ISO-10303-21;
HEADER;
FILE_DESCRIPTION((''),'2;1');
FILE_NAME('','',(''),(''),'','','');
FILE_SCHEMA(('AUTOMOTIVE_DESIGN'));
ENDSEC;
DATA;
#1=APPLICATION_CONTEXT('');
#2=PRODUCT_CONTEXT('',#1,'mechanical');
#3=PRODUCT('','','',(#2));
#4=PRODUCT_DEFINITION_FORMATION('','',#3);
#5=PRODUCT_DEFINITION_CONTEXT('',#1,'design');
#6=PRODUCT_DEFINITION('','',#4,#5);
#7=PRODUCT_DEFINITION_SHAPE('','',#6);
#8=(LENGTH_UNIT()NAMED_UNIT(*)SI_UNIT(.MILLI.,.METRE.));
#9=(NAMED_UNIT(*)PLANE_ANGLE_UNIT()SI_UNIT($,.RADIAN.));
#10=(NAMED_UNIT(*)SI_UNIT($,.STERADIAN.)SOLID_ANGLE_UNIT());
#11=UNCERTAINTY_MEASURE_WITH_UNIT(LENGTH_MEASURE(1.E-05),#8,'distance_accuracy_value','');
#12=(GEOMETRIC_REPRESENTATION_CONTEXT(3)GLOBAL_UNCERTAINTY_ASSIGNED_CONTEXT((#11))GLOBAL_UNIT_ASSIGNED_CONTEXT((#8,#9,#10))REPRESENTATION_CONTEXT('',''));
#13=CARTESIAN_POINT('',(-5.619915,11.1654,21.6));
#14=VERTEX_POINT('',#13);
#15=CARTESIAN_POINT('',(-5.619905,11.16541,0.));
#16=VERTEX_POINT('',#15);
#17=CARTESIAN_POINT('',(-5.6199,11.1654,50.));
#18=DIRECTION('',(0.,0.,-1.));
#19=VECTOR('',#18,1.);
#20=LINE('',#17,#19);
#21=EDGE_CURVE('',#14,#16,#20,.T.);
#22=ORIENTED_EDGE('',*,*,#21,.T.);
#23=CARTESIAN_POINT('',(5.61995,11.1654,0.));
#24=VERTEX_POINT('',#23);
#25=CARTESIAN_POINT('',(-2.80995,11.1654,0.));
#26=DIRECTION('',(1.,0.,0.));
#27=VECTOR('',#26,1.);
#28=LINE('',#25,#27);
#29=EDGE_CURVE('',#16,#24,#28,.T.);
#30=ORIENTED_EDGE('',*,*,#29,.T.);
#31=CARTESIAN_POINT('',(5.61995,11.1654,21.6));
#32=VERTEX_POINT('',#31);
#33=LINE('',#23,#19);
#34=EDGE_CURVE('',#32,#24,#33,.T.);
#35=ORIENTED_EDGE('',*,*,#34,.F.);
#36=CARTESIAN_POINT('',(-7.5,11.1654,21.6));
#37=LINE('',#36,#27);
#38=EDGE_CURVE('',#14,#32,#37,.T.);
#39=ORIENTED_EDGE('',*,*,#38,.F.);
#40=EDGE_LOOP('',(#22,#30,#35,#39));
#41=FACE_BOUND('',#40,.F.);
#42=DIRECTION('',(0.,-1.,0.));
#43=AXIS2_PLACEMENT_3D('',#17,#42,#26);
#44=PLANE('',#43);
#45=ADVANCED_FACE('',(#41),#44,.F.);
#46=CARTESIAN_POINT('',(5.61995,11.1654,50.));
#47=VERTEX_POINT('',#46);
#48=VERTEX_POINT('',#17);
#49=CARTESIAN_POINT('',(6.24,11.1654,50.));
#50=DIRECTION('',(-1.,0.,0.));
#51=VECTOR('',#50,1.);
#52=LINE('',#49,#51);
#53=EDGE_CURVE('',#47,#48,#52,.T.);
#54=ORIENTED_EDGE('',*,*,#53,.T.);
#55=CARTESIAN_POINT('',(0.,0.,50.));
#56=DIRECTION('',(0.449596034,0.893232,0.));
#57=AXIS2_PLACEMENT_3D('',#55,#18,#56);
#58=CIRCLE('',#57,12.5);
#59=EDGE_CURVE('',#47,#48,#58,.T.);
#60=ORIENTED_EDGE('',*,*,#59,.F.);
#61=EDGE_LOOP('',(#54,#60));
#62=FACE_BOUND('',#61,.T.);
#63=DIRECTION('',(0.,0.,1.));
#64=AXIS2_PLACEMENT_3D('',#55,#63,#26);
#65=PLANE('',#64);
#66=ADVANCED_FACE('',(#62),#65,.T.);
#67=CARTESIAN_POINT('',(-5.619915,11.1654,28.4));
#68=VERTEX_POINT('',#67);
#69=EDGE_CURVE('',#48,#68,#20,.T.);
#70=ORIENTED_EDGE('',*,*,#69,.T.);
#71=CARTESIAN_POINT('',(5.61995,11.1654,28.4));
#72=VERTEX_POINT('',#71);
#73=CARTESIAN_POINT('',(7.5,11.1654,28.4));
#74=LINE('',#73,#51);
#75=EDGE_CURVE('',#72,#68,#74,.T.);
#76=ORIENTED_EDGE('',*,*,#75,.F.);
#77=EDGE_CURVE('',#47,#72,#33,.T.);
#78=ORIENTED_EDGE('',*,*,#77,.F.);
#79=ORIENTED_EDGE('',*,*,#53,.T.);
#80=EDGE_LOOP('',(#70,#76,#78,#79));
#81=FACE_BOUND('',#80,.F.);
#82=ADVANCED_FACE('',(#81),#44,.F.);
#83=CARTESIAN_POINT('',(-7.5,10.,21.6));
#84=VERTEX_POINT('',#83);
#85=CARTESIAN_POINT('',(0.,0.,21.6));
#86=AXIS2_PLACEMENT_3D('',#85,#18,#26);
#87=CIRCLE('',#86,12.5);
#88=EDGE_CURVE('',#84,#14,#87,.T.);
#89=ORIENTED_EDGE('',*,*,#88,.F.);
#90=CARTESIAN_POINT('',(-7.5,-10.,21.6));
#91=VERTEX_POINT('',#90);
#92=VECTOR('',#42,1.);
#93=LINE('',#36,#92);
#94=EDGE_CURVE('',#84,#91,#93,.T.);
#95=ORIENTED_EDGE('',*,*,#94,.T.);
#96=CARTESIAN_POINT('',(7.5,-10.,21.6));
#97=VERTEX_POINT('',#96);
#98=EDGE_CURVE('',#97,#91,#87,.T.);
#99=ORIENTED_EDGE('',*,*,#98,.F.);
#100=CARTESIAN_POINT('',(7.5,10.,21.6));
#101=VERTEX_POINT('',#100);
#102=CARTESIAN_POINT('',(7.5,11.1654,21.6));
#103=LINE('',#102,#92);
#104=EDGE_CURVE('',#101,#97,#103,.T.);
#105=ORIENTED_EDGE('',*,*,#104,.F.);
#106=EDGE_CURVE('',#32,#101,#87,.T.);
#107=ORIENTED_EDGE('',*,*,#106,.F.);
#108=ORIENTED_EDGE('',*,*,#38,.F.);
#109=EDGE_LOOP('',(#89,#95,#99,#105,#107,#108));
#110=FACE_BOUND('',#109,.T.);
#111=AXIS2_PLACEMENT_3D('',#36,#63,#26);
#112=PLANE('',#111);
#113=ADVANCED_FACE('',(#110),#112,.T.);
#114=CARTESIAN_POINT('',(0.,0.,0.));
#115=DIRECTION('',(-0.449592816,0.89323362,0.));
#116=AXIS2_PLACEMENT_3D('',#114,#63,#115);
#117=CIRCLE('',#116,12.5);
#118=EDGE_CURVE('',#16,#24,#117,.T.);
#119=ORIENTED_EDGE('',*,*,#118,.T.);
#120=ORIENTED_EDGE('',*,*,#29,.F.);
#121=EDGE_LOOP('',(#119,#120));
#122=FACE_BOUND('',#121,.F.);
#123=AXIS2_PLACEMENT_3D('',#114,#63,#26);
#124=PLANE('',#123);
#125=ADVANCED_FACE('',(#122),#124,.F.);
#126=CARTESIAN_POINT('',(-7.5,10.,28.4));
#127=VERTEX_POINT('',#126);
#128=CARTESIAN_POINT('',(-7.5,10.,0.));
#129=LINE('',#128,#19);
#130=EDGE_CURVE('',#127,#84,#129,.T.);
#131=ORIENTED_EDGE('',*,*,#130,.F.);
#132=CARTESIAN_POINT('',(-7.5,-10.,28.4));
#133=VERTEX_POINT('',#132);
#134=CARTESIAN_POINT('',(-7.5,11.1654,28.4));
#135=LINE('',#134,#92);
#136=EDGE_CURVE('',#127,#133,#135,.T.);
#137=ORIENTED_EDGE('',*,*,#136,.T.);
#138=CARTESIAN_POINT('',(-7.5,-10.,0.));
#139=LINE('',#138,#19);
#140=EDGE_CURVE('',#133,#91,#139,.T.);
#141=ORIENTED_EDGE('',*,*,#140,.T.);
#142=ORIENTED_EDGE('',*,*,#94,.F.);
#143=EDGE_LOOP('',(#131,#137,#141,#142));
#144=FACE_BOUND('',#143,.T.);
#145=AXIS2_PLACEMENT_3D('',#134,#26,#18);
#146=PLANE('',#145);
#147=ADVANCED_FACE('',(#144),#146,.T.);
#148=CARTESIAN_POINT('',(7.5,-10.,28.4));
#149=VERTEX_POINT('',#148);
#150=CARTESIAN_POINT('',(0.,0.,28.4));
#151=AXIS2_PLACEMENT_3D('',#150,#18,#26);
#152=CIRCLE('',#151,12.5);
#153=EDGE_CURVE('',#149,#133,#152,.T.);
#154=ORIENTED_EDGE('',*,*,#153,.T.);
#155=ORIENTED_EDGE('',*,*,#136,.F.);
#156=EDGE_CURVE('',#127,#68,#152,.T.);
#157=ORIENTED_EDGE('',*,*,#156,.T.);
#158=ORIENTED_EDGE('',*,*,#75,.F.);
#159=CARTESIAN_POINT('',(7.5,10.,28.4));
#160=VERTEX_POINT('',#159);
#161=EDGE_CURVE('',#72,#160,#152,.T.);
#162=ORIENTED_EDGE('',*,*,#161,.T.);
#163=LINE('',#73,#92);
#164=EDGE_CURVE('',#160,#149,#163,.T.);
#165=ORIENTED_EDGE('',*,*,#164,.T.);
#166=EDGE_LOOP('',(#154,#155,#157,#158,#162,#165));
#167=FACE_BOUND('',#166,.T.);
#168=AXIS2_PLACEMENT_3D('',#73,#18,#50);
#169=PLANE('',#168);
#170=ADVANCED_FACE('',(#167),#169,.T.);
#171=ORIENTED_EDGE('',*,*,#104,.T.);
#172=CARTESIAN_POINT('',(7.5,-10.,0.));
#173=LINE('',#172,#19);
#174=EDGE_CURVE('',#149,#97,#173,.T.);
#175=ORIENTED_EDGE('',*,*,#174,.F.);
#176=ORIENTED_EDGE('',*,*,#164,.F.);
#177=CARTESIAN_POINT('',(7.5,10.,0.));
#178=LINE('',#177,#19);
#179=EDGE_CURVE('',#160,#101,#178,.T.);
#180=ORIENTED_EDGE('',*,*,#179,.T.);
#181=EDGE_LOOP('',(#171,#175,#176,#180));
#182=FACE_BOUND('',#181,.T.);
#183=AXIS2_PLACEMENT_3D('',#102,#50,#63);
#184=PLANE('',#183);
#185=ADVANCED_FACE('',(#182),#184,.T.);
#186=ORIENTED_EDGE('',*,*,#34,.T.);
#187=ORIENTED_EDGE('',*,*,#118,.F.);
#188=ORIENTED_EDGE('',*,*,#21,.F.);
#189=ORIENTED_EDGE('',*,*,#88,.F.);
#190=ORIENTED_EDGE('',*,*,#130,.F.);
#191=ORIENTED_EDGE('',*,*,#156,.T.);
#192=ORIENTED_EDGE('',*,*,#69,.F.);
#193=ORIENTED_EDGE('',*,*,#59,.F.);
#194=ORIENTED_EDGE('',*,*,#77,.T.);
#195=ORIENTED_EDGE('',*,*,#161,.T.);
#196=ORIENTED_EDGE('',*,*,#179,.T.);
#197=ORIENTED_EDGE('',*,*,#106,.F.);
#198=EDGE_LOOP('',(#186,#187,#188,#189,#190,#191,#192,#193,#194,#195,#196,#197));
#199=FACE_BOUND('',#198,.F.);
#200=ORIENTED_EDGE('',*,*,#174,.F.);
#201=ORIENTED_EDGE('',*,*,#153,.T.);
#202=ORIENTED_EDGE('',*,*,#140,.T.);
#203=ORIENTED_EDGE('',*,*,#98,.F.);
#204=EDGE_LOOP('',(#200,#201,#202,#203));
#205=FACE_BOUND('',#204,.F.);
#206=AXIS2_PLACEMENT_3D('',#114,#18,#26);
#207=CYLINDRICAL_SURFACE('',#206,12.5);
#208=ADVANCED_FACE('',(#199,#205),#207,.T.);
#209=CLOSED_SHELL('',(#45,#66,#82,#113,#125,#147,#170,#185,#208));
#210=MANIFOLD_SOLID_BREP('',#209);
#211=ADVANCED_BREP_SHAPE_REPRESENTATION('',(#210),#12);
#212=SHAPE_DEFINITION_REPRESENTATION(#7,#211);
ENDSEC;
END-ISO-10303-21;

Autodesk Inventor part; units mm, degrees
ref_plane "YZ Plane" through (0, 0, 0) normal (1, 0, 0) x (0, 1, 0)
ref_plane "XZ Plane" through (0, 0, 0) normal (0, 1, 0) x (-1, 0, 0)
ref_plane "XY Plane" through (0, 0, 0) normal (0, 0, 1) x (1, 0, 0)
sketch "Sketch12" plane through (0, 0, 0) normal (0, 0, 1) x (1, 0, 0)
  circle A0 centre (0, 0) radius 12.5
  dimension "d22" = 25
extrude "Extrusion3" add sketch "Sketch12" along normal blind 50
sketch "Sketch15" plane through (0, 0, 50) normal (0, 0, 1) x (1, 0, 0)
  circle A0 centre (0, 0) radius 12.5 projected
  line L0 (-5.6199, 11.1654) -> (6.24, 11.1654)
  line L1 (6.24, 11.1654) -> (6.24, 16.8143)
  line L2 (6.24, 16.8143) -> (-5.6199, 16.8143)
  line L3 (-5.6199, 16.8143) -> (-5.6199, 11.1654)
extrude "Extrusion4" cut sketch "Sketch15" against normal blind 64.3 contours L3 L2 L1 L0 A0 | A0 L0 picked at (0.9627, 11.4975)
sketch "Sketch17" plane through (-5.6199, 11.1654, 50) normal (0, 1, 0) x (1, 0, 0)
  point P0 (5.6199, 50)
sketch "Sketch18" plane through (-5.6199, 11.1654, 50) normal (0, 1, 0) x (1, 0, 0)
  line L0 (-1.8801, 28.4) -> (13.1199, 28.4)
  line L1 (13.1199, 28.4) -> (13.1199, 21.6)
  line L2 (13.1199, 21.6) -> (-1.8801, 21.6)
  line L3 (-1.8801, 21.6) -> (-1.8801, 28.4)
  line L4 (-1.8801, 28.4) -> (13.1199, 21.6) construction
  line L5 (13.1199, 28.4) -> (-1.8801, 21.6) construction
  point P0 (5.6199, 50)
  point P1 (5.6199, 25)
  dimension "d30" = 15
  dimension "d31" = 6.8
extrude "Extrusion6" cut sketch "Sketch18" against normal blind 28.2625
properties part number "foot"
